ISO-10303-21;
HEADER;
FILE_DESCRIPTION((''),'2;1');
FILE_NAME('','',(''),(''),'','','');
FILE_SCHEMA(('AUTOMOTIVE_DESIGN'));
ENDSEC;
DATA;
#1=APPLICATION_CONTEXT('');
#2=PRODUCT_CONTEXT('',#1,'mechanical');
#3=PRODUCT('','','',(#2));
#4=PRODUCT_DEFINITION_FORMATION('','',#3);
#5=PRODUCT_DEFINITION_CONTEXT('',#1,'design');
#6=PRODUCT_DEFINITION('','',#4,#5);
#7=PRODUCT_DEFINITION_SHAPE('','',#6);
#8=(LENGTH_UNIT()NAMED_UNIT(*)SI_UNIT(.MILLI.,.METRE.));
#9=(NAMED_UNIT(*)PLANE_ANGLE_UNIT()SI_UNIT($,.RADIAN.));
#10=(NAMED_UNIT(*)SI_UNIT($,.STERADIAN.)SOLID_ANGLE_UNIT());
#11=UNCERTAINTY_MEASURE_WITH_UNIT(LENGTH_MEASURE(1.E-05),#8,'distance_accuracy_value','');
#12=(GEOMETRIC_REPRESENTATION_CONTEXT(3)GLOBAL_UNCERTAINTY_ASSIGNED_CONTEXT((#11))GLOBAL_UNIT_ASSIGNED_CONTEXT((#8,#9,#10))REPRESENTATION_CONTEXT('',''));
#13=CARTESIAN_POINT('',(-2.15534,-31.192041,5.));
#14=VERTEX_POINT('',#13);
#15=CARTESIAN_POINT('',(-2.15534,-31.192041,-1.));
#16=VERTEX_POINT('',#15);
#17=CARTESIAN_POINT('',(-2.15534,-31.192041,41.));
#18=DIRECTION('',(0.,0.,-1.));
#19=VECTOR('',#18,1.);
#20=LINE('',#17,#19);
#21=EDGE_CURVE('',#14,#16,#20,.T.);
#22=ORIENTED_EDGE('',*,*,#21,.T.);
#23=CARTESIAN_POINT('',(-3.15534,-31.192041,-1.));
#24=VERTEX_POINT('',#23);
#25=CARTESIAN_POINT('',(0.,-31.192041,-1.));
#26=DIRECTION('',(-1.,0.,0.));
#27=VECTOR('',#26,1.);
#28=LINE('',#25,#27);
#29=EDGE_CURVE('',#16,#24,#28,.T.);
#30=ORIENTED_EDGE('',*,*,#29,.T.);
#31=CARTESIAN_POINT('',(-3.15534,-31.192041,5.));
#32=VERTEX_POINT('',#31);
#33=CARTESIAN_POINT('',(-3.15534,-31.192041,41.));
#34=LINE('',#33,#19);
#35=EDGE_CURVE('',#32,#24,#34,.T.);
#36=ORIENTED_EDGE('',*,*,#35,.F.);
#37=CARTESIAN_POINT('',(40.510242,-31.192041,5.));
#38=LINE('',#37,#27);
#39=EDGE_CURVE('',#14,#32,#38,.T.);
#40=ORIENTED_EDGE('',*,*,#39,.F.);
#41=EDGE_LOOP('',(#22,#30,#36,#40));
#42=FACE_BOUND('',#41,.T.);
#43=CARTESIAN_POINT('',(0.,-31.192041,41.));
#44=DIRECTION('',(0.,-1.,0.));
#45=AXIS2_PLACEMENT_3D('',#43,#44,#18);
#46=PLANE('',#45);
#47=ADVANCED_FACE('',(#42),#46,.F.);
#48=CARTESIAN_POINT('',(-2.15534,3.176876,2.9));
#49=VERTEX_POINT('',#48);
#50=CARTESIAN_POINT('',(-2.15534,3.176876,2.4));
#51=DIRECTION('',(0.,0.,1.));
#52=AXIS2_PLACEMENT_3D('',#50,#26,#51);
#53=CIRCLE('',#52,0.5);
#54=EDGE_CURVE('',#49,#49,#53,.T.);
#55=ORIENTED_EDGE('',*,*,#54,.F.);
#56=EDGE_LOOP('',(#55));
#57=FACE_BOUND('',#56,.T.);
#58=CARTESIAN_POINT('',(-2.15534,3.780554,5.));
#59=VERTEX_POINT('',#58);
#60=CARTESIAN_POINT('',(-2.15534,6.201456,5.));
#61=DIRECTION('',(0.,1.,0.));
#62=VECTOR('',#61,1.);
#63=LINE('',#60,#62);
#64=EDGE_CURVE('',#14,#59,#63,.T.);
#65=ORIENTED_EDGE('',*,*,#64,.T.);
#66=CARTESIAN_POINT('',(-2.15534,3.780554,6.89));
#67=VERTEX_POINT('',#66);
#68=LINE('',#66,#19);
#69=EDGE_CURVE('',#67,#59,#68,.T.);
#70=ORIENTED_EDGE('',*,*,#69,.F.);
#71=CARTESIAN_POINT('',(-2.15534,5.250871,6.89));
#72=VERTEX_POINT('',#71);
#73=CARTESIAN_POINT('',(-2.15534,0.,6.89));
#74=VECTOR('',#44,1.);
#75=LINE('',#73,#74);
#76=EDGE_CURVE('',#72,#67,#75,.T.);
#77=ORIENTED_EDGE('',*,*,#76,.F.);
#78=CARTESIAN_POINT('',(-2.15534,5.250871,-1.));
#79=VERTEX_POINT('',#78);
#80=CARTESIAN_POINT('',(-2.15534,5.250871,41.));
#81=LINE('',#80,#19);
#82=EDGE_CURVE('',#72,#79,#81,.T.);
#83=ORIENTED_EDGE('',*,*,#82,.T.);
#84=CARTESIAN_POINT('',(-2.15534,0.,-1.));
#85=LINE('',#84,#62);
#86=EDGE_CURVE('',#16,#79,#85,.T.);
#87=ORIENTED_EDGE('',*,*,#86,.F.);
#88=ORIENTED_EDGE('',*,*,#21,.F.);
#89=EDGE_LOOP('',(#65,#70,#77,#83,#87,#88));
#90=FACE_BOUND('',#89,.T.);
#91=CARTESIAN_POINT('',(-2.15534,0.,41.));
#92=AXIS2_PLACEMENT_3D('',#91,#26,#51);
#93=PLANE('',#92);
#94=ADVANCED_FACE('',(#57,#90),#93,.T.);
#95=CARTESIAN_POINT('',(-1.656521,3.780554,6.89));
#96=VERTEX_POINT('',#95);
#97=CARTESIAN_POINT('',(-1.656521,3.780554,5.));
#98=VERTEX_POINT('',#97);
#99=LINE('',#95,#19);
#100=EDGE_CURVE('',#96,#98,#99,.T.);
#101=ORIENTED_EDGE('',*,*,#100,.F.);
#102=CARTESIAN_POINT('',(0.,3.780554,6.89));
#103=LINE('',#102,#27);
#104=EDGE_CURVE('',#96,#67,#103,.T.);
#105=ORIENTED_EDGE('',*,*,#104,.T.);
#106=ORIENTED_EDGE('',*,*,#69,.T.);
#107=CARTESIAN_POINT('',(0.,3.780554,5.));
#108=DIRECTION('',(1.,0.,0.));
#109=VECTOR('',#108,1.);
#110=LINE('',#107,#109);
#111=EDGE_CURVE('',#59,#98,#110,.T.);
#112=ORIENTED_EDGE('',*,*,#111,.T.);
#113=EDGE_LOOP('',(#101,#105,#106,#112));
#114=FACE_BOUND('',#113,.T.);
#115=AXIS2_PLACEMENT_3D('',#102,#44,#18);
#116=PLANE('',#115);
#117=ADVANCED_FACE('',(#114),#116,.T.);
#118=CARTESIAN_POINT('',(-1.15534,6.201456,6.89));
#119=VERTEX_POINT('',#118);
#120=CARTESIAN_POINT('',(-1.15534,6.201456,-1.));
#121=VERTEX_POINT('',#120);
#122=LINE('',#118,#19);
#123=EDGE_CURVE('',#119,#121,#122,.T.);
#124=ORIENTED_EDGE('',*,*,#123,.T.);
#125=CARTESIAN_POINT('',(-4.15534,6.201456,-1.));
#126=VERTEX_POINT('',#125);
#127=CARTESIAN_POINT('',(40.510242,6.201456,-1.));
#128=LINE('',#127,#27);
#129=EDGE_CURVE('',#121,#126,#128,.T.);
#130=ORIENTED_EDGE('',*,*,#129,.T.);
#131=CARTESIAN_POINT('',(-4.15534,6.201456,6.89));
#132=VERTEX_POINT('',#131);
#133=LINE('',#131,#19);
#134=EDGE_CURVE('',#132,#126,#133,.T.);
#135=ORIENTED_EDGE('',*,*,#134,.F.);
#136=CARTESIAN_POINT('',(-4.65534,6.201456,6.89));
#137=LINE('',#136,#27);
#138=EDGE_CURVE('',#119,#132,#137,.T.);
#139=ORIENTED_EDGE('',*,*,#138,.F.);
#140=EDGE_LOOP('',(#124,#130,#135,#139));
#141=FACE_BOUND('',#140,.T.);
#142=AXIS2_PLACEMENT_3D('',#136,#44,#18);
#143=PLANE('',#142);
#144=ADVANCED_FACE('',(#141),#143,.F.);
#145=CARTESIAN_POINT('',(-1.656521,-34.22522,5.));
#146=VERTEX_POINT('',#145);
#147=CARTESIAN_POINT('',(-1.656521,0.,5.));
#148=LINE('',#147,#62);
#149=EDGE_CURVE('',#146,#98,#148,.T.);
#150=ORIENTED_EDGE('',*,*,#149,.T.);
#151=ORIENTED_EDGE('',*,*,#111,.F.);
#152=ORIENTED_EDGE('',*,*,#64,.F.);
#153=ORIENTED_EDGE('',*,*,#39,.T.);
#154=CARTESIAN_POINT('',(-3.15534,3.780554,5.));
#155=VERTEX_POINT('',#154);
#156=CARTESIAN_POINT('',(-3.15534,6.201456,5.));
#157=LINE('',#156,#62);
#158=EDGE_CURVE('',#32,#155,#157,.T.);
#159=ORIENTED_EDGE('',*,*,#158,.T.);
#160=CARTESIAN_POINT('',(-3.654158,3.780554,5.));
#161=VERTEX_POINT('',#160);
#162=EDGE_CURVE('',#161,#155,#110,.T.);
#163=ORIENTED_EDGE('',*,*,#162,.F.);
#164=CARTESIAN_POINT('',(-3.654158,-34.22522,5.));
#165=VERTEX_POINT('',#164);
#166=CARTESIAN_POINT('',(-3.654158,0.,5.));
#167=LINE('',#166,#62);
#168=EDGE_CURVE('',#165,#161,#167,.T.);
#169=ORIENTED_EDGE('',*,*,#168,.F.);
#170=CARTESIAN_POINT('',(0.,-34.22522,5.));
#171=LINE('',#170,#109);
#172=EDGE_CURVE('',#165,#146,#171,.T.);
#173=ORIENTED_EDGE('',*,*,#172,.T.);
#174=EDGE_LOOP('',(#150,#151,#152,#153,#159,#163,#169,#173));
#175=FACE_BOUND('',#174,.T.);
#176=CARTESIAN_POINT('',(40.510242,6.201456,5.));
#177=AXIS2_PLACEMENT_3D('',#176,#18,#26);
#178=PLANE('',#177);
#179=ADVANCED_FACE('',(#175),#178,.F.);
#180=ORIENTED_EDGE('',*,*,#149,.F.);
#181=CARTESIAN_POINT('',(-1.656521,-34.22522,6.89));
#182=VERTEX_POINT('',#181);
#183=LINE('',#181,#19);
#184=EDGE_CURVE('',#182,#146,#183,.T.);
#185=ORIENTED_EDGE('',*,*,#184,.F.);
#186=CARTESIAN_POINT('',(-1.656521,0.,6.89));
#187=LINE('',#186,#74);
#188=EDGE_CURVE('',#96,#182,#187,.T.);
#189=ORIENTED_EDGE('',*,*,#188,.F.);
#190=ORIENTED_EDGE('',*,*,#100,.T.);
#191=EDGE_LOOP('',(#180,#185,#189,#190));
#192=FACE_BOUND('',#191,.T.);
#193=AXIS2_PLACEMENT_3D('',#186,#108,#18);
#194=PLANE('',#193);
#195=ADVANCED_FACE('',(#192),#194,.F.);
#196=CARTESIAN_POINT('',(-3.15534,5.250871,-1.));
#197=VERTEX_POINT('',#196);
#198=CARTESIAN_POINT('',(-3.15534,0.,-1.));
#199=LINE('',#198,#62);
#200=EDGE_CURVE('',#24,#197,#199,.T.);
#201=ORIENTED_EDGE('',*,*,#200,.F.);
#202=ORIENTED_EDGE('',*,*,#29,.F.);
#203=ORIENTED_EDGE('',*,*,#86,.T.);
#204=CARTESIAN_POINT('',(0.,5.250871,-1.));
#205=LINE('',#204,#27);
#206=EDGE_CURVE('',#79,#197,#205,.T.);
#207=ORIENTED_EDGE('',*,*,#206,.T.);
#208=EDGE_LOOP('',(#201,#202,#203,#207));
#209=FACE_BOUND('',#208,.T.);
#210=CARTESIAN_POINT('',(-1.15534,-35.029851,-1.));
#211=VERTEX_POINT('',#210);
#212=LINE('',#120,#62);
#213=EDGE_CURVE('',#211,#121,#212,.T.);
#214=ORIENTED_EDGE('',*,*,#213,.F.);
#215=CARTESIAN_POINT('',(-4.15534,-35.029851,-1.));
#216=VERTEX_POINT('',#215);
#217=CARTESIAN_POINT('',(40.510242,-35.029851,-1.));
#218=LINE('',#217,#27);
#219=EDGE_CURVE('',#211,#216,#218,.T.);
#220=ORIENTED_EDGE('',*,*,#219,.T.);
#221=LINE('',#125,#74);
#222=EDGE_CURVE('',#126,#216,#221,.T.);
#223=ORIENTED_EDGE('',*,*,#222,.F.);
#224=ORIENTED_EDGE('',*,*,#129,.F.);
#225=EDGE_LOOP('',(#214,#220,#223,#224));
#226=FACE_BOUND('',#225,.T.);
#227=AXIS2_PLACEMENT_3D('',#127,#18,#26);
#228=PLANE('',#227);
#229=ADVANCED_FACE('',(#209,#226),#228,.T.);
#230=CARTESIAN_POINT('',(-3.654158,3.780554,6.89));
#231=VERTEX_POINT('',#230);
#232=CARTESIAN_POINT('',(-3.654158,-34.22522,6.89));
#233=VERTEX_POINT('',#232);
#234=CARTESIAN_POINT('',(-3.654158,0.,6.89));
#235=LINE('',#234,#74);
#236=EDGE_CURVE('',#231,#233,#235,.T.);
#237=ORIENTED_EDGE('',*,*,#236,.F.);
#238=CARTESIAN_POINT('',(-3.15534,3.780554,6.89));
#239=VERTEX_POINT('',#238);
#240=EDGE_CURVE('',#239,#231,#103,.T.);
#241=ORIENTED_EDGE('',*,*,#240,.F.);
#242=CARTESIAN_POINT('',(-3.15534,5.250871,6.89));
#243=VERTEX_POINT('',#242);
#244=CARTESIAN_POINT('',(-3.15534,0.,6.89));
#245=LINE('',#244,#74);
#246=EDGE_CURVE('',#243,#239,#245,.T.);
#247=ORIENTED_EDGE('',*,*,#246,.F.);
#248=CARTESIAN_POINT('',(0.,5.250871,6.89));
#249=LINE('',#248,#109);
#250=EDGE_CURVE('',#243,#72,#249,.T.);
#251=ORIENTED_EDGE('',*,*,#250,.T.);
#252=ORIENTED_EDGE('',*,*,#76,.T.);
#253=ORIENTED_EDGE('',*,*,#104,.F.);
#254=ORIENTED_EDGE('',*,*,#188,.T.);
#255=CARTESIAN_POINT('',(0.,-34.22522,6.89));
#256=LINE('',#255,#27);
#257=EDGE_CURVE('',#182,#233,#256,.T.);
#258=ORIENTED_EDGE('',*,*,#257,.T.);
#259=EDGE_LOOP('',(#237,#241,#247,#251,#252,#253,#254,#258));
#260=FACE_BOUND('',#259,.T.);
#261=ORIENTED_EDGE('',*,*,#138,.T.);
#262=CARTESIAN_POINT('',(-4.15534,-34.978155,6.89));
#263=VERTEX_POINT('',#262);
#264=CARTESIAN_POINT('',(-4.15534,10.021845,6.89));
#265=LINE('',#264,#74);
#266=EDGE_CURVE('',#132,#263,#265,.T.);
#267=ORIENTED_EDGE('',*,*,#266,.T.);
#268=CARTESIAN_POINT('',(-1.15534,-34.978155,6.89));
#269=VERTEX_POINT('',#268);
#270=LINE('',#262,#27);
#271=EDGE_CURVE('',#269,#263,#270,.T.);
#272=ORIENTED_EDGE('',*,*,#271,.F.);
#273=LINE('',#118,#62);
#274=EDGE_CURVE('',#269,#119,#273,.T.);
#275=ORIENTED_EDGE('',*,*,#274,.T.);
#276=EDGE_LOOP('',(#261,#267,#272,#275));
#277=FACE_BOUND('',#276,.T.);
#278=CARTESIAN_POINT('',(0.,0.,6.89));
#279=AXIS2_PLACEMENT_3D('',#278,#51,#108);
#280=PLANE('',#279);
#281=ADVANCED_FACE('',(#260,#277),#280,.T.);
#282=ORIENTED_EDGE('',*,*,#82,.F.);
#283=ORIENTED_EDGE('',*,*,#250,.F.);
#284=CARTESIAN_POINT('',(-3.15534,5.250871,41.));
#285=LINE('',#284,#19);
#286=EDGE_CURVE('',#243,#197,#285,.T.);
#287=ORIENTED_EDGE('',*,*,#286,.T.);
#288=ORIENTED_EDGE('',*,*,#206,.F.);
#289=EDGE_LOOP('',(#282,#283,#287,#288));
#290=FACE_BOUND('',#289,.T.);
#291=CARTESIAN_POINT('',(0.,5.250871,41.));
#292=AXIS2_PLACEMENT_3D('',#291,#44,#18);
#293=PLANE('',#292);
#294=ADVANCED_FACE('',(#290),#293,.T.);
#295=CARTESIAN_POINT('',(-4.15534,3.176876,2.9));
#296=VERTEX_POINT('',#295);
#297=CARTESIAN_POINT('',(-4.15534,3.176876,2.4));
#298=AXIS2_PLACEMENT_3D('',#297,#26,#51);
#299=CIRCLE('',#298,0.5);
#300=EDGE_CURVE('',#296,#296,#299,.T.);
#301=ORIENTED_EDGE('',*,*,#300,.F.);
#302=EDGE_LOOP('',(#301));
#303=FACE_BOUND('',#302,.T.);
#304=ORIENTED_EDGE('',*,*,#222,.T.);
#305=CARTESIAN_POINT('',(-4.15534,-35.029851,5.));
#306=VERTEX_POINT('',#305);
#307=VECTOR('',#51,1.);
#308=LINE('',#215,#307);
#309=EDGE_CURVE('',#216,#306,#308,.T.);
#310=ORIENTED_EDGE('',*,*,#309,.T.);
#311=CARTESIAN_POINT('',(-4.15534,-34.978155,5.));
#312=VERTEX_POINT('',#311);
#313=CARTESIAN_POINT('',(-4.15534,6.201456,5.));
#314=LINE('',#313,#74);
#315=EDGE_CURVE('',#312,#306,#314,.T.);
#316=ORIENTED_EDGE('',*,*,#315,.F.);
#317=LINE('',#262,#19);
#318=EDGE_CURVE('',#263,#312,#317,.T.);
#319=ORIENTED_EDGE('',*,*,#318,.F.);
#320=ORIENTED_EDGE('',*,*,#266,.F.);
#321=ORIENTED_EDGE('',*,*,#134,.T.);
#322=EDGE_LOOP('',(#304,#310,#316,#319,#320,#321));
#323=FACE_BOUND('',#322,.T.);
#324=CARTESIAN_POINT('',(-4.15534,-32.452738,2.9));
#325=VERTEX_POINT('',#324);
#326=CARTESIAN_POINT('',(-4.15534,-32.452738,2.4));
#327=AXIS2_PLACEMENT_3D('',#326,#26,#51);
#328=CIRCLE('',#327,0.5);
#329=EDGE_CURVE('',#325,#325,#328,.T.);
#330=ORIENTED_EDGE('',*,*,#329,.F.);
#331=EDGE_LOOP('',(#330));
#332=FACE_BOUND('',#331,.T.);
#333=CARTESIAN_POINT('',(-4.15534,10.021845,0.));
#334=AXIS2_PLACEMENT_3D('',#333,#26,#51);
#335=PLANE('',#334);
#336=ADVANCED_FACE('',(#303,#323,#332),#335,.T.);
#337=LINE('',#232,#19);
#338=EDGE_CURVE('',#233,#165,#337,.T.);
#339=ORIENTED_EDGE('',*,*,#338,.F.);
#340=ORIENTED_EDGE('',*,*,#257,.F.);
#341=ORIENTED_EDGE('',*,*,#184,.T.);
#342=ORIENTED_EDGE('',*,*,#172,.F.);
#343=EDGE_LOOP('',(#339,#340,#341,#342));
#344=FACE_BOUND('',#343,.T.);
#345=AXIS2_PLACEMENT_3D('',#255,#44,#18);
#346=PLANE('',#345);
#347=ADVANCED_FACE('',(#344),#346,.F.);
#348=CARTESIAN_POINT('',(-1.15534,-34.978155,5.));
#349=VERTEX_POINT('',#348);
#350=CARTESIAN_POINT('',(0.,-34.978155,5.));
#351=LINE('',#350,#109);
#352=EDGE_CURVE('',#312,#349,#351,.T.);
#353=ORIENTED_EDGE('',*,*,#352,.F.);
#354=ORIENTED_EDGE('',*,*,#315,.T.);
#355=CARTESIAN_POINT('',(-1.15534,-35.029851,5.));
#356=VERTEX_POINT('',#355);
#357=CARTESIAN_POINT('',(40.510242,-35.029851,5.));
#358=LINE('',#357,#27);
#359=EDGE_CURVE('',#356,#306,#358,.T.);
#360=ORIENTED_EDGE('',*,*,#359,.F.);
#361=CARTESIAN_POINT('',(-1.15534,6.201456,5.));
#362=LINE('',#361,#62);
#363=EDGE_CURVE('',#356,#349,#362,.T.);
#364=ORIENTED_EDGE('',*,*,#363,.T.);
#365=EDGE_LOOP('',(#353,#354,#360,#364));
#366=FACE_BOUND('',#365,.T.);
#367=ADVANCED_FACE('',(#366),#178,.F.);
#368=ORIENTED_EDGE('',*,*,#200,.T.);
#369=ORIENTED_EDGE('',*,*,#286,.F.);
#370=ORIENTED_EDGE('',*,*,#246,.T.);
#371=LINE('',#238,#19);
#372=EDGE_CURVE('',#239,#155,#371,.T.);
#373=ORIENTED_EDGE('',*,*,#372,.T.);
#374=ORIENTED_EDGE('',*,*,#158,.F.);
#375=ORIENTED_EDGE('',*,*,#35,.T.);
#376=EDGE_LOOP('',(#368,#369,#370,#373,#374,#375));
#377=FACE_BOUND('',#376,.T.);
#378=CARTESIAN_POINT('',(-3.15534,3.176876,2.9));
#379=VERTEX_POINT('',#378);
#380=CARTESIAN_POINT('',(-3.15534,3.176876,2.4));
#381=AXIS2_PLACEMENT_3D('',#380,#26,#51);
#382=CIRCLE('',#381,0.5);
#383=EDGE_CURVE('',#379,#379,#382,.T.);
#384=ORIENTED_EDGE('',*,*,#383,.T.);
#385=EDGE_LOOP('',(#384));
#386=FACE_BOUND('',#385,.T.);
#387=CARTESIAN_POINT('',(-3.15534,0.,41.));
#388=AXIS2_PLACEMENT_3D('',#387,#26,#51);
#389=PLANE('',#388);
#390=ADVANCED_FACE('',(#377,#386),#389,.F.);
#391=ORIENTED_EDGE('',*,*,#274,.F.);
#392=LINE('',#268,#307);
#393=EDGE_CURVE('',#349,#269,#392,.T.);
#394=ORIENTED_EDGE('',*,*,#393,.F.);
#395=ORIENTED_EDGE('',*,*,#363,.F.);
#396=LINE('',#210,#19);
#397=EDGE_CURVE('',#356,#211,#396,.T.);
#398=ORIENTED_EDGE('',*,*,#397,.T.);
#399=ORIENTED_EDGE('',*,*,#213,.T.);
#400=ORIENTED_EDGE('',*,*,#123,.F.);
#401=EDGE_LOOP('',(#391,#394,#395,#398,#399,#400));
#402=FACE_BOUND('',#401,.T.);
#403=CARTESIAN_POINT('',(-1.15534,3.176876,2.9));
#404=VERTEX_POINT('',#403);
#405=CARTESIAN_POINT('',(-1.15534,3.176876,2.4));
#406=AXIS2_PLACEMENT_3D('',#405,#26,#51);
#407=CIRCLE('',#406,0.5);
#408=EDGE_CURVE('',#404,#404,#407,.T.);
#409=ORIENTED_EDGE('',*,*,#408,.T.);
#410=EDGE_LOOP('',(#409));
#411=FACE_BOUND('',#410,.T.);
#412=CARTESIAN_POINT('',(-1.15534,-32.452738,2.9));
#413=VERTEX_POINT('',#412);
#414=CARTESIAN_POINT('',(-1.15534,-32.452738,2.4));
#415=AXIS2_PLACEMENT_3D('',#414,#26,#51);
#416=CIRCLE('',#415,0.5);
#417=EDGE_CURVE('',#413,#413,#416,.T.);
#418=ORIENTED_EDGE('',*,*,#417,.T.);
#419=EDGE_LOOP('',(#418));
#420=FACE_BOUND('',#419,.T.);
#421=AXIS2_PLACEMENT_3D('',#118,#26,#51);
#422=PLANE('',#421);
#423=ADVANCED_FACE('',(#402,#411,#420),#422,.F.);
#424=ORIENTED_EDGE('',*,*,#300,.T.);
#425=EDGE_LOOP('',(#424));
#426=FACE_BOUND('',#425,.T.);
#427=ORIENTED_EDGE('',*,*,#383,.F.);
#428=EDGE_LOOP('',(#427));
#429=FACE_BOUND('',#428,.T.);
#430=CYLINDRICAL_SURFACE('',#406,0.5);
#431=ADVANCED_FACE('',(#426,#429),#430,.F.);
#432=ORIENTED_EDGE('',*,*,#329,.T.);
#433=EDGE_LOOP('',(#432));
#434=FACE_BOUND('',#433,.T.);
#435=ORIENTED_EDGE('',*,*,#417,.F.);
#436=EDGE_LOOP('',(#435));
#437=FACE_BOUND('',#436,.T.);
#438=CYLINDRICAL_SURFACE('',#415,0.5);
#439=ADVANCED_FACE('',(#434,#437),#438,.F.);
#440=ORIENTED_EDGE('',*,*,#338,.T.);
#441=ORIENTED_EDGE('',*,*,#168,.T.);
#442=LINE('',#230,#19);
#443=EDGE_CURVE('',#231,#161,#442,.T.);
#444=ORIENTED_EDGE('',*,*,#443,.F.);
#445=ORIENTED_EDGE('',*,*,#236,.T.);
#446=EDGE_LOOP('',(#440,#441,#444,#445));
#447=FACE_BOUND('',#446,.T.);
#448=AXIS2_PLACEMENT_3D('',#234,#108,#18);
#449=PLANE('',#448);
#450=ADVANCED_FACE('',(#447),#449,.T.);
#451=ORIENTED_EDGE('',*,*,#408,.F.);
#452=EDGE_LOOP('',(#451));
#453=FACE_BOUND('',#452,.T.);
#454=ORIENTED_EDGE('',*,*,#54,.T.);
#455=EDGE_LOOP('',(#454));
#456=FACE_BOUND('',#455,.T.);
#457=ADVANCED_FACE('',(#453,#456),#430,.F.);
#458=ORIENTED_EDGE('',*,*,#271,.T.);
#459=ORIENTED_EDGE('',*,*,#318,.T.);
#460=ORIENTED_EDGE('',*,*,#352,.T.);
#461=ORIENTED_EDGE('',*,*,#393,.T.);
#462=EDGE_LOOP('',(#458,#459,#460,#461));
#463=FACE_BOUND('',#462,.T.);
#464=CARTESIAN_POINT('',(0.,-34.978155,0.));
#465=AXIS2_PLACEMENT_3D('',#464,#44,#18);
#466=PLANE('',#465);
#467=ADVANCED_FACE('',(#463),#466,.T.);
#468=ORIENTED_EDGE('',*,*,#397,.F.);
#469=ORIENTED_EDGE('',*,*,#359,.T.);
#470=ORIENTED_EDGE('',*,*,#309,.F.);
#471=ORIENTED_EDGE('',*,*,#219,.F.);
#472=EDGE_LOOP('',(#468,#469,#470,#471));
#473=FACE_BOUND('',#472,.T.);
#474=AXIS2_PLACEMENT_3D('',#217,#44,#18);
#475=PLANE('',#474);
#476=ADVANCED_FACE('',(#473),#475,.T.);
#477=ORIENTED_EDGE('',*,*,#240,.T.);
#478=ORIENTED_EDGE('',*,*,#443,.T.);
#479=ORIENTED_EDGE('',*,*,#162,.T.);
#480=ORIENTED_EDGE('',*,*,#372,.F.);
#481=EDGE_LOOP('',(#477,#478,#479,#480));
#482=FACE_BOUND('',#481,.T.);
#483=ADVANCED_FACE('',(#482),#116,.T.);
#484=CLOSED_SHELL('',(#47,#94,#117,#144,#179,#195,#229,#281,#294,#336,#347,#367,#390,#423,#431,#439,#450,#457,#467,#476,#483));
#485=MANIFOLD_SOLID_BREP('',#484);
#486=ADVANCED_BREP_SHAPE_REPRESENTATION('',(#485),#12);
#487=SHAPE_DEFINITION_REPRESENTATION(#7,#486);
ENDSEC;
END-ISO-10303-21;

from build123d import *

# Parameters (mm, degrees)
SKETCH1_W               = 3.5
SKETCH1_H               = 11.179611651
BOSS_EXTRUDE1_DEPTH     = 6.89
CUT_EXTRUDE1_DEPTH      = 10.908590231
CUT_EXTRUDE1_DEPTH_BACK = 10.908590231
SKETCH3_R               = 0.5
SKETCH4_W               = 0.5
SKETCH4_H               = 6.89
CUT_EXTRUDE2_DEPTH      = 15
SKETCH5_W               = 3
SKETCH5_H               = 6.89
BOSS_EXTRUDE2_DEPTH     = 13
SKETCH6_W               = 3
SKETCH6_H               = 6.89
BOSS_EXTRUDE3_DEPTH     = 17
SKETCH7_W               = 1.997637341
SKETCH7_H               = 38.005773156
CUT_EXTRUDE3_DEPTH      = 36.891646659
BOSS_EXTRUDE4_REACH     = 37.776
SKETCH8_W               = 6
SKETCH8_H               = 41.231307055
CUT_EXTRUDE4_DEPTH      = 36.826841099
CUT_EXTRUDE4_DEPTH_BACK = 36.826841099
SKETCH9_R               = 0.5
SKETCH10_W              = 1
SKETCH10_H              = 36.442912435
CUT_EXTRUDE5_DEPTH      = 42
CUT_EXTRUDE6_DEPTH      = 36.826841099
CUT_EXTRUDE6_DEPTH_BACK = 36.826841099
SKETCH11_R              = 0.5


with BuildPart() as part:
    # Sketch1 → Boss-Extrude1 (new body)
    with BuildSketch(Plane.XY):
        with Locations((-2.905339806, 0.611650485)):
            Rectangle(SKETCH1_W, SKETCH1_H)
    extrude(amount=BOSS_EXTRUDE1_DEPTH)

    # Sketch3 → Cut-Extrude1 (cut, two sides: drawn at the far end of the back side and taken through both)
    with BuildSketch(Plane(origin=(-1.155339806, 0, 0), x_dir=(0, 0, -1), z_dir=(1, 0, 0)).offset(-CUT_EXTRUDE1_DEPTH_BACK)):
        with Locations((-2, 4.896048014)):
            Circle(SKETCH3_R)
    extrude(amount=CUT_EXTRUDE1_DEPTH + CUT_EXTRUDE1_DEPTH_BACK, mode=Mode.SUBTRACT)

    # Sketch4 → Cut-Extrude2 (cut)
    with BuildSketch(Plane.XZ.offset(4.97815534)):
        with Locations((-4.405339806, 3.445)):
            Rectangle(SKETCH4_W, SKETCH4_H)
    extrude(amount=-CUT_EXTRUDE2_DEPTH, mode=Mode.SUBTRACT)

    # Sketch5 → Boss-Extrude2 (add)
    with BuildSketch(Plane.XZ.offset(4.97815534)):
        with Locations((-2.655339806, 3.445)):
            Rectangle(SKETCH5_W, SKETCH5_H)
    extrude(amount=BOSS_EXTRUDE2_DEPTH)

    # Sketch6 → Boss-Extrude3 (add)
    with BuildSketch(Plane.XZ.offset(17.97815534)):
        with Locations((-2.655339806, 3.445)):
            Rectangle(SKETCH6_W, SKETCH6_H)
    extrude(amount=BOSS_EXTRUDE3_DEPTH)

    # Sketch7 → Cut-Extrude3 (cut, through all)
    with BuildSketch(Plane(origin=(0, 0, 0), x_dir=(-1, 0, 0), z_dir=(0, 0, -1))):
        with Locations((2.655339806, -15.222333021)):
            Rectangle(SKETCH7_W, SKETCH7_H)
    extrude(amount=-CUT_EXTRUDE3_DEPTH, mode=Mode.SUBTRACT)

    # Boss-Extrude4: up to this face of the body (flat: up to its plane)
    boss_extrude4_end = Plane(part.part.faces().sort_by_distance((-1.155339806, -14.44187965, 3.449011069))[0])
    # Sketch8 → Boss-Extrude4 (add, up to the picked face)
    with BuildSketch(Plane.ZY.offset(4.155339806), mode=Mode.PRIVATE) as boss_extrude4_sk1:
        with Locations((2, -14.414197216)):
            Rectangle(SKETCH8_W, SKETCH8_H)
    boss_extrude4_tool1 = split(extrude(boss_extrude4_sk1.sketch, amount=-BOSS_EXTRUDE4_REACH, mode=Mode.PRIVATE), bisect_by=boss_extrude4_end, keep=Keep.BOTH, mode=Mode.PRIVATE)
    add(boss_extrude4_tool1.solids().sort_by(Axis((-4.15534, -14.414197, 2), (1, 0, 0)))[0])

    # Sketch9 → Cut-Extrude4 (cut, two sides: drawn at the far end of the back side and taken through both)
    with BuildSketch(Plane.ZY.offset(4.155339806).offset(-CUT_EXTRUDE4_DEPTH_BACK)):
        with Locations((2.4, -32.452738379)):
            Circle(SKETCH9_R)
    extrude(amount=CUT_EXTRUDE4_DEPTH + CUT_EXTRUDE4_DEPTH_BACK, mode=Mode.SUBTRACT)

    # Sketch10 → Cut-Extrude5 (cut)
    with BuildSketch(Plane(origin=(0, 0, -1), x_dir=(-1, 0, 0), z_dir=(0, 0, -1))):
        with Locations((2.655339806, -12.970585166)):
            Rectangle(SKETCH10_W, SKETCH10_H)
    extrude(amount=-CUT_EXTRUDE5_DEPTH, mode=Mode.SUBTRACT)

    # Sketch11 → Cut-Extrude6 (cut, two sides: drawn at the far end of the back side and taken through both)
    with BuildSketch(Plane.ZY.offset(4.155339806).offset(-CUT_EXTRUDE6_DEPTH_BACK)):
        with Locations((2.4, 3.176876258)):
            Circle(SKETCH11_R)
    extrude(amount=CUT_EXTRUDE6_DEPTH + CUT_EXTRUDE6_DEPTH_BACK, mode=Mode.SUBTRACT)


solid = part.part
